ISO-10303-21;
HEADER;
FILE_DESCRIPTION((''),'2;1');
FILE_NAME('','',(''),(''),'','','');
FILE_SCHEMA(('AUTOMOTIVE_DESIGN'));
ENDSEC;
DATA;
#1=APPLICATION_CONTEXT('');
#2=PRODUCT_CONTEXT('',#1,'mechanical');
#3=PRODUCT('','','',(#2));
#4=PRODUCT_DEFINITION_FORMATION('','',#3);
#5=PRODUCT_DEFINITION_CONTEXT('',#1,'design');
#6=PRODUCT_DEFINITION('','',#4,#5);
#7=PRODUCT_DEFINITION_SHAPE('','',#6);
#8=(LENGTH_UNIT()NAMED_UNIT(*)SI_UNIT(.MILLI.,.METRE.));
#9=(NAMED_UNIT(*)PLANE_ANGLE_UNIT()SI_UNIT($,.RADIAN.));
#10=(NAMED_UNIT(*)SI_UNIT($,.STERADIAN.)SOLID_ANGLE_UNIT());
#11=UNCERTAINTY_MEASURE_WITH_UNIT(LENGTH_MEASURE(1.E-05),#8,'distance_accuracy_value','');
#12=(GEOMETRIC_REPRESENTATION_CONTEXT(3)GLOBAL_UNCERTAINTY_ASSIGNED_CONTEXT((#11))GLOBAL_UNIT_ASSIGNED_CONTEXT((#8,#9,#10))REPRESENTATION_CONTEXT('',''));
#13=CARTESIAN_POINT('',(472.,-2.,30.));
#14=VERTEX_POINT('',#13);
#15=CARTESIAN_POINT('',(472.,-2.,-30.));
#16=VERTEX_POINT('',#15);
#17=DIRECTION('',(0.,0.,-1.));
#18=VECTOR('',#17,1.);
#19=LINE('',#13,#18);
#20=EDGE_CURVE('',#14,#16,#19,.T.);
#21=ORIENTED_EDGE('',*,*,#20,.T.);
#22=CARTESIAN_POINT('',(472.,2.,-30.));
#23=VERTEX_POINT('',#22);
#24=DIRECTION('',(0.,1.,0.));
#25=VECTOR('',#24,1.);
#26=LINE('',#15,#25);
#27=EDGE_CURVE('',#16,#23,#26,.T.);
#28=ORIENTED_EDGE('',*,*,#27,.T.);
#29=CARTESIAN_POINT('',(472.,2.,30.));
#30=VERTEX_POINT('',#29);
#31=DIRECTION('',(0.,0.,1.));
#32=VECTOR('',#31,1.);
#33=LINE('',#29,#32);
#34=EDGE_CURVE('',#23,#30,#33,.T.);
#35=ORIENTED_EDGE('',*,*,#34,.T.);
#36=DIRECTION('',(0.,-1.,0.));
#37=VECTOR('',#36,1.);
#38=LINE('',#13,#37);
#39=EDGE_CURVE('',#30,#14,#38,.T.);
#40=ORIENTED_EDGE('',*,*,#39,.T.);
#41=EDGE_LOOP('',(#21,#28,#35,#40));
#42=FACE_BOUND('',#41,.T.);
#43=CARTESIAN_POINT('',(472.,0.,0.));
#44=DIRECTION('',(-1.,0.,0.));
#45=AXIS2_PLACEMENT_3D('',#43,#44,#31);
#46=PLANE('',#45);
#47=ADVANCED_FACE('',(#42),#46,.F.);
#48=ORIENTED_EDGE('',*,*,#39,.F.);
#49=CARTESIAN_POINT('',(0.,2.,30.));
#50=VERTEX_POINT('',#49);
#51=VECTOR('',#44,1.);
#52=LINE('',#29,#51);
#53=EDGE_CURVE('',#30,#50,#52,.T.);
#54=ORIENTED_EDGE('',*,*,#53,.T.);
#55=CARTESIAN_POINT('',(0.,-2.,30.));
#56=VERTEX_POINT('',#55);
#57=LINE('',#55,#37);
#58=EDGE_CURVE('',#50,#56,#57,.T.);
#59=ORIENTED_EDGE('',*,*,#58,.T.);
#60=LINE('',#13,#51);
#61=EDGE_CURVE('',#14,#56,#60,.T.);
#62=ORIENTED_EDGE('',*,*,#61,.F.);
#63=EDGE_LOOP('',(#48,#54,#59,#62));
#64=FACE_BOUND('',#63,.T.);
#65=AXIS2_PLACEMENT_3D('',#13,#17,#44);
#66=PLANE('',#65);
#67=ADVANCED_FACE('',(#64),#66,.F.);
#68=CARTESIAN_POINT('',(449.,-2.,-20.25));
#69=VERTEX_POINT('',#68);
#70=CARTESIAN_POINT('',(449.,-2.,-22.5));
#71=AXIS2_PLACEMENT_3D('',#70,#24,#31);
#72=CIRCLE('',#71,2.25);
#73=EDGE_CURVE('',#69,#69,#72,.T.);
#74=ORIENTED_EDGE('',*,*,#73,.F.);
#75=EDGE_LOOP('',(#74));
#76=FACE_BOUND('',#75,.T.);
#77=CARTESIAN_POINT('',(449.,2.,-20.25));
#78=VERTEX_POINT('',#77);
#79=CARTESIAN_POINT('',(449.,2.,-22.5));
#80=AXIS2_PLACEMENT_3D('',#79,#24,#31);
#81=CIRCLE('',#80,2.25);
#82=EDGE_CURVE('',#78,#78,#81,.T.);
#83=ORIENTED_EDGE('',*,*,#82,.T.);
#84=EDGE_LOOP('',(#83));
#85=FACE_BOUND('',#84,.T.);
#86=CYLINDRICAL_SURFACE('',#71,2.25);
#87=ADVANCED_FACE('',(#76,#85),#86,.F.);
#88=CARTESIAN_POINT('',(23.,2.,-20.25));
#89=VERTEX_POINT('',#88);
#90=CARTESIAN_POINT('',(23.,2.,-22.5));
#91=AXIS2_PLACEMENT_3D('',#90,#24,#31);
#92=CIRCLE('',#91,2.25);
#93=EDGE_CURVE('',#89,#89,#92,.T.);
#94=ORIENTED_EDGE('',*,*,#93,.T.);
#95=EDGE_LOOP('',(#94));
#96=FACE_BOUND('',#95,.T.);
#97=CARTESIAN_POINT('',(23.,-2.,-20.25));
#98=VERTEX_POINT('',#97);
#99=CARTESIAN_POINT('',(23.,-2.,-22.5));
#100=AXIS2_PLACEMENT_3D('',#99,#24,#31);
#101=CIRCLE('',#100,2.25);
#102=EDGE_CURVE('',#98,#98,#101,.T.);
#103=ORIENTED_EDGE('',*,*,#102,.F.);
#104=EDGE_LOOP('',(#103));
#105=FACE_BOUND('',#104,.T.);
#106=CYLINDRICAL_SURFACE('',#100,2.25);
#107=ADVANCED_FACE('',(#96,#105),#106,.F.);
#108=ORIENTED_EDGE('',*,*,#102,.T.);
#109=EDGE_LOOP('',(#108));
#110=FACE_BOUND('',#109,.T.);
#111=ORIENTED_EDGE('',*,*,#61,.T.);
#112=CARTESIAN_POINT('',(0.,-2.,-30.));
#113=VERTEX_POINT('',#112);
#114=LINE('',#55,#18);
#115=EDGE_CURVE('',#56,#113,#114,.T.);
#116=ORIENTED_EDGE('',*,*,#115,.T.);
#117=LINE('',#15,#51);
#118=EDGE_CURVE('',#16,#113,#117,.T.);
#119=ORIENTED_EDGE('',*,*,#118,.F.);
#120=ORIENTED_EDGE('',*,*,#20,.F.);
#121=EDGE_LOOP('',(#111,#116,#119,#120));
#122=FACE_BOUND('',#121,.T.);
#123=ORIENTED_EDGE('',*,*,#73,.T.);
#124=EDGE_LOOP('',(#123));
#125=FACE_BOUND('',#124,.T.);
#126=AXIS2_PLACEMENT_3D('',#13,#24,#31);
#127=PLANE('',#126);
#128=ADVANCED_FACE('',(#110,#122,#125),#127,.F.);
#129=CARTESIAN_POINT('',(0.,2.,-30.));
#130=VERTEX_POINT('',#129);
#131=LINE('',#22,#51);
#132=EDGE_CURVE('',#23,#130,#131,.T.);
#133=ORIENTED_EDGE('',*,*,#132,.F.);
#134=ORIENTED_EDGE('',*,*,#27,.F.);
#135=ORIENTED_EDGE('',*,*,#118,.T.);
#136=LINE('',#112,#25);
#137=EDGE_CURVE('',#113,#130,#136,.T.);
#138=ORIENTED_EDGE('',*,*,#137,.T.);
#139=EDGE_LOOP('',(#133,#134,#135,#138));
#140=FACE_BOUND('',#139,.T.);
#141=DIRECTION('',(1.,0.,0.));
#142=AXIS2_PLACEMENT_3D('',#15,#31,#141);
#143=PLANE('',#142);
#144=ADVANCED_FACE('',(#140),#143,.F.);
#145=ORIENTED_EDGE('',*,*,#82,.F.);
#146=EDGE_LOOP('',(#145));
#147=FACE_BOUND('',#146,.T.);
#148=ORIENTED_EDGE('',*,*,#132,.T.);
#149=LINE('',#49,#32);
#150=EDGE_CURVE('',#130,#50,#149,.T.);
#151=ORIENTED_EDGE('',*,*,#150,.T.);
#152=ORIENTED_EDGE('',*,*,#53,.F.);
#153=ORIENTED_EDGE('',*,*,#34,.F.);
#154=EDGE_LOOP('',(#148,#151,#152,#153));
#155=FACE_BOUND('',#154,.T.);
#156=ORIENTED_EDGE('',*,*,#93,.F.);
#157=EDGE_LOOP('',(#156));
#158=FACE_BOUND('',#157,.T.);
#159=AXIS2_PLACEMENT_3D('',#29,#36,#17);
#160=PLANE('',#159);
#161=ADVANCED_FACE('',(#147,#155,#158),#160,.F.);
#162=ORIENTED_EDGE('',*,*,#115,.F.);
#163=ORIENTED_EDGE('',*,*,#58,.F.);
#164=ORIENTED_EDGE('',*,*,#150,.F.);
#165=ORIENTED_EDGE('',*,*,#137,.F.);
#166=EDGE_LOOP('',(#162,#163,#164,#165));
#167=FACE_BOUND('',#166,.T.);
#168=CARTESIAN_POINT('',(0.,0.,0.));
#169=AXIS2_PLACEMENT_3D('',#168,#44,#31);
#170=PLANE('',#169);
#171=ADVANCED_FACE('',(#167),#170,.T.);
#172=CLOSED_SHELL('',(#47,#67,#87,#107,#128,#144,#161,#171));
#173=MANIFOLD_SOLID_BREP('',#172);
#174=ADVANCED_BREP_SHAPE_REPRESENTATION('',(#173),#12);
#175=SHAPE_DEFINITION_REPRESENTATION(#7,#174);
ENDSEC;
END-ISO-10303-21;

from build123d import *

# Parameters (mm, degrees)
SKETCH_1_W          = 60
SKETCH_1_H          = 4
EXTRUDE_1_DEPTH     = 472
SKETCH_2_R          = 2.25
CUT_EXTRUDE_1_DEPTH = 5


with BuildPart() as part:
    # Эскиз1 → Бобышка-Вытянуть1 (new body)
    with BuildSketch(Plane(origin=(0, 0, 0), x_dir=(0, 0, -1), z_dir=(1, 0, 0))):
        Rectangle(SKETCH_1_W, SKETCH_1_H)
    extrude(amount=EXTRUDE_1_DEPTH)

    # Эскиз2 → Вырез-Вытянуть1 (cut, through all)
    with BuildSketch(Plane(origin=(0, 2, 0), x_dir=(1, 0, 0), z_dir=(0, 1, 0))):
        with Locations((23, 22.5)):
            Circle(SKETCH_2_R)
        with Locations((449, 22.5)):
            Circle(SKETCH_2_R)
    extrude(amount=-CUT_EXTRUDE_1_DEPTH, mode=Mode.SUBTRACT)


solid = part.part
